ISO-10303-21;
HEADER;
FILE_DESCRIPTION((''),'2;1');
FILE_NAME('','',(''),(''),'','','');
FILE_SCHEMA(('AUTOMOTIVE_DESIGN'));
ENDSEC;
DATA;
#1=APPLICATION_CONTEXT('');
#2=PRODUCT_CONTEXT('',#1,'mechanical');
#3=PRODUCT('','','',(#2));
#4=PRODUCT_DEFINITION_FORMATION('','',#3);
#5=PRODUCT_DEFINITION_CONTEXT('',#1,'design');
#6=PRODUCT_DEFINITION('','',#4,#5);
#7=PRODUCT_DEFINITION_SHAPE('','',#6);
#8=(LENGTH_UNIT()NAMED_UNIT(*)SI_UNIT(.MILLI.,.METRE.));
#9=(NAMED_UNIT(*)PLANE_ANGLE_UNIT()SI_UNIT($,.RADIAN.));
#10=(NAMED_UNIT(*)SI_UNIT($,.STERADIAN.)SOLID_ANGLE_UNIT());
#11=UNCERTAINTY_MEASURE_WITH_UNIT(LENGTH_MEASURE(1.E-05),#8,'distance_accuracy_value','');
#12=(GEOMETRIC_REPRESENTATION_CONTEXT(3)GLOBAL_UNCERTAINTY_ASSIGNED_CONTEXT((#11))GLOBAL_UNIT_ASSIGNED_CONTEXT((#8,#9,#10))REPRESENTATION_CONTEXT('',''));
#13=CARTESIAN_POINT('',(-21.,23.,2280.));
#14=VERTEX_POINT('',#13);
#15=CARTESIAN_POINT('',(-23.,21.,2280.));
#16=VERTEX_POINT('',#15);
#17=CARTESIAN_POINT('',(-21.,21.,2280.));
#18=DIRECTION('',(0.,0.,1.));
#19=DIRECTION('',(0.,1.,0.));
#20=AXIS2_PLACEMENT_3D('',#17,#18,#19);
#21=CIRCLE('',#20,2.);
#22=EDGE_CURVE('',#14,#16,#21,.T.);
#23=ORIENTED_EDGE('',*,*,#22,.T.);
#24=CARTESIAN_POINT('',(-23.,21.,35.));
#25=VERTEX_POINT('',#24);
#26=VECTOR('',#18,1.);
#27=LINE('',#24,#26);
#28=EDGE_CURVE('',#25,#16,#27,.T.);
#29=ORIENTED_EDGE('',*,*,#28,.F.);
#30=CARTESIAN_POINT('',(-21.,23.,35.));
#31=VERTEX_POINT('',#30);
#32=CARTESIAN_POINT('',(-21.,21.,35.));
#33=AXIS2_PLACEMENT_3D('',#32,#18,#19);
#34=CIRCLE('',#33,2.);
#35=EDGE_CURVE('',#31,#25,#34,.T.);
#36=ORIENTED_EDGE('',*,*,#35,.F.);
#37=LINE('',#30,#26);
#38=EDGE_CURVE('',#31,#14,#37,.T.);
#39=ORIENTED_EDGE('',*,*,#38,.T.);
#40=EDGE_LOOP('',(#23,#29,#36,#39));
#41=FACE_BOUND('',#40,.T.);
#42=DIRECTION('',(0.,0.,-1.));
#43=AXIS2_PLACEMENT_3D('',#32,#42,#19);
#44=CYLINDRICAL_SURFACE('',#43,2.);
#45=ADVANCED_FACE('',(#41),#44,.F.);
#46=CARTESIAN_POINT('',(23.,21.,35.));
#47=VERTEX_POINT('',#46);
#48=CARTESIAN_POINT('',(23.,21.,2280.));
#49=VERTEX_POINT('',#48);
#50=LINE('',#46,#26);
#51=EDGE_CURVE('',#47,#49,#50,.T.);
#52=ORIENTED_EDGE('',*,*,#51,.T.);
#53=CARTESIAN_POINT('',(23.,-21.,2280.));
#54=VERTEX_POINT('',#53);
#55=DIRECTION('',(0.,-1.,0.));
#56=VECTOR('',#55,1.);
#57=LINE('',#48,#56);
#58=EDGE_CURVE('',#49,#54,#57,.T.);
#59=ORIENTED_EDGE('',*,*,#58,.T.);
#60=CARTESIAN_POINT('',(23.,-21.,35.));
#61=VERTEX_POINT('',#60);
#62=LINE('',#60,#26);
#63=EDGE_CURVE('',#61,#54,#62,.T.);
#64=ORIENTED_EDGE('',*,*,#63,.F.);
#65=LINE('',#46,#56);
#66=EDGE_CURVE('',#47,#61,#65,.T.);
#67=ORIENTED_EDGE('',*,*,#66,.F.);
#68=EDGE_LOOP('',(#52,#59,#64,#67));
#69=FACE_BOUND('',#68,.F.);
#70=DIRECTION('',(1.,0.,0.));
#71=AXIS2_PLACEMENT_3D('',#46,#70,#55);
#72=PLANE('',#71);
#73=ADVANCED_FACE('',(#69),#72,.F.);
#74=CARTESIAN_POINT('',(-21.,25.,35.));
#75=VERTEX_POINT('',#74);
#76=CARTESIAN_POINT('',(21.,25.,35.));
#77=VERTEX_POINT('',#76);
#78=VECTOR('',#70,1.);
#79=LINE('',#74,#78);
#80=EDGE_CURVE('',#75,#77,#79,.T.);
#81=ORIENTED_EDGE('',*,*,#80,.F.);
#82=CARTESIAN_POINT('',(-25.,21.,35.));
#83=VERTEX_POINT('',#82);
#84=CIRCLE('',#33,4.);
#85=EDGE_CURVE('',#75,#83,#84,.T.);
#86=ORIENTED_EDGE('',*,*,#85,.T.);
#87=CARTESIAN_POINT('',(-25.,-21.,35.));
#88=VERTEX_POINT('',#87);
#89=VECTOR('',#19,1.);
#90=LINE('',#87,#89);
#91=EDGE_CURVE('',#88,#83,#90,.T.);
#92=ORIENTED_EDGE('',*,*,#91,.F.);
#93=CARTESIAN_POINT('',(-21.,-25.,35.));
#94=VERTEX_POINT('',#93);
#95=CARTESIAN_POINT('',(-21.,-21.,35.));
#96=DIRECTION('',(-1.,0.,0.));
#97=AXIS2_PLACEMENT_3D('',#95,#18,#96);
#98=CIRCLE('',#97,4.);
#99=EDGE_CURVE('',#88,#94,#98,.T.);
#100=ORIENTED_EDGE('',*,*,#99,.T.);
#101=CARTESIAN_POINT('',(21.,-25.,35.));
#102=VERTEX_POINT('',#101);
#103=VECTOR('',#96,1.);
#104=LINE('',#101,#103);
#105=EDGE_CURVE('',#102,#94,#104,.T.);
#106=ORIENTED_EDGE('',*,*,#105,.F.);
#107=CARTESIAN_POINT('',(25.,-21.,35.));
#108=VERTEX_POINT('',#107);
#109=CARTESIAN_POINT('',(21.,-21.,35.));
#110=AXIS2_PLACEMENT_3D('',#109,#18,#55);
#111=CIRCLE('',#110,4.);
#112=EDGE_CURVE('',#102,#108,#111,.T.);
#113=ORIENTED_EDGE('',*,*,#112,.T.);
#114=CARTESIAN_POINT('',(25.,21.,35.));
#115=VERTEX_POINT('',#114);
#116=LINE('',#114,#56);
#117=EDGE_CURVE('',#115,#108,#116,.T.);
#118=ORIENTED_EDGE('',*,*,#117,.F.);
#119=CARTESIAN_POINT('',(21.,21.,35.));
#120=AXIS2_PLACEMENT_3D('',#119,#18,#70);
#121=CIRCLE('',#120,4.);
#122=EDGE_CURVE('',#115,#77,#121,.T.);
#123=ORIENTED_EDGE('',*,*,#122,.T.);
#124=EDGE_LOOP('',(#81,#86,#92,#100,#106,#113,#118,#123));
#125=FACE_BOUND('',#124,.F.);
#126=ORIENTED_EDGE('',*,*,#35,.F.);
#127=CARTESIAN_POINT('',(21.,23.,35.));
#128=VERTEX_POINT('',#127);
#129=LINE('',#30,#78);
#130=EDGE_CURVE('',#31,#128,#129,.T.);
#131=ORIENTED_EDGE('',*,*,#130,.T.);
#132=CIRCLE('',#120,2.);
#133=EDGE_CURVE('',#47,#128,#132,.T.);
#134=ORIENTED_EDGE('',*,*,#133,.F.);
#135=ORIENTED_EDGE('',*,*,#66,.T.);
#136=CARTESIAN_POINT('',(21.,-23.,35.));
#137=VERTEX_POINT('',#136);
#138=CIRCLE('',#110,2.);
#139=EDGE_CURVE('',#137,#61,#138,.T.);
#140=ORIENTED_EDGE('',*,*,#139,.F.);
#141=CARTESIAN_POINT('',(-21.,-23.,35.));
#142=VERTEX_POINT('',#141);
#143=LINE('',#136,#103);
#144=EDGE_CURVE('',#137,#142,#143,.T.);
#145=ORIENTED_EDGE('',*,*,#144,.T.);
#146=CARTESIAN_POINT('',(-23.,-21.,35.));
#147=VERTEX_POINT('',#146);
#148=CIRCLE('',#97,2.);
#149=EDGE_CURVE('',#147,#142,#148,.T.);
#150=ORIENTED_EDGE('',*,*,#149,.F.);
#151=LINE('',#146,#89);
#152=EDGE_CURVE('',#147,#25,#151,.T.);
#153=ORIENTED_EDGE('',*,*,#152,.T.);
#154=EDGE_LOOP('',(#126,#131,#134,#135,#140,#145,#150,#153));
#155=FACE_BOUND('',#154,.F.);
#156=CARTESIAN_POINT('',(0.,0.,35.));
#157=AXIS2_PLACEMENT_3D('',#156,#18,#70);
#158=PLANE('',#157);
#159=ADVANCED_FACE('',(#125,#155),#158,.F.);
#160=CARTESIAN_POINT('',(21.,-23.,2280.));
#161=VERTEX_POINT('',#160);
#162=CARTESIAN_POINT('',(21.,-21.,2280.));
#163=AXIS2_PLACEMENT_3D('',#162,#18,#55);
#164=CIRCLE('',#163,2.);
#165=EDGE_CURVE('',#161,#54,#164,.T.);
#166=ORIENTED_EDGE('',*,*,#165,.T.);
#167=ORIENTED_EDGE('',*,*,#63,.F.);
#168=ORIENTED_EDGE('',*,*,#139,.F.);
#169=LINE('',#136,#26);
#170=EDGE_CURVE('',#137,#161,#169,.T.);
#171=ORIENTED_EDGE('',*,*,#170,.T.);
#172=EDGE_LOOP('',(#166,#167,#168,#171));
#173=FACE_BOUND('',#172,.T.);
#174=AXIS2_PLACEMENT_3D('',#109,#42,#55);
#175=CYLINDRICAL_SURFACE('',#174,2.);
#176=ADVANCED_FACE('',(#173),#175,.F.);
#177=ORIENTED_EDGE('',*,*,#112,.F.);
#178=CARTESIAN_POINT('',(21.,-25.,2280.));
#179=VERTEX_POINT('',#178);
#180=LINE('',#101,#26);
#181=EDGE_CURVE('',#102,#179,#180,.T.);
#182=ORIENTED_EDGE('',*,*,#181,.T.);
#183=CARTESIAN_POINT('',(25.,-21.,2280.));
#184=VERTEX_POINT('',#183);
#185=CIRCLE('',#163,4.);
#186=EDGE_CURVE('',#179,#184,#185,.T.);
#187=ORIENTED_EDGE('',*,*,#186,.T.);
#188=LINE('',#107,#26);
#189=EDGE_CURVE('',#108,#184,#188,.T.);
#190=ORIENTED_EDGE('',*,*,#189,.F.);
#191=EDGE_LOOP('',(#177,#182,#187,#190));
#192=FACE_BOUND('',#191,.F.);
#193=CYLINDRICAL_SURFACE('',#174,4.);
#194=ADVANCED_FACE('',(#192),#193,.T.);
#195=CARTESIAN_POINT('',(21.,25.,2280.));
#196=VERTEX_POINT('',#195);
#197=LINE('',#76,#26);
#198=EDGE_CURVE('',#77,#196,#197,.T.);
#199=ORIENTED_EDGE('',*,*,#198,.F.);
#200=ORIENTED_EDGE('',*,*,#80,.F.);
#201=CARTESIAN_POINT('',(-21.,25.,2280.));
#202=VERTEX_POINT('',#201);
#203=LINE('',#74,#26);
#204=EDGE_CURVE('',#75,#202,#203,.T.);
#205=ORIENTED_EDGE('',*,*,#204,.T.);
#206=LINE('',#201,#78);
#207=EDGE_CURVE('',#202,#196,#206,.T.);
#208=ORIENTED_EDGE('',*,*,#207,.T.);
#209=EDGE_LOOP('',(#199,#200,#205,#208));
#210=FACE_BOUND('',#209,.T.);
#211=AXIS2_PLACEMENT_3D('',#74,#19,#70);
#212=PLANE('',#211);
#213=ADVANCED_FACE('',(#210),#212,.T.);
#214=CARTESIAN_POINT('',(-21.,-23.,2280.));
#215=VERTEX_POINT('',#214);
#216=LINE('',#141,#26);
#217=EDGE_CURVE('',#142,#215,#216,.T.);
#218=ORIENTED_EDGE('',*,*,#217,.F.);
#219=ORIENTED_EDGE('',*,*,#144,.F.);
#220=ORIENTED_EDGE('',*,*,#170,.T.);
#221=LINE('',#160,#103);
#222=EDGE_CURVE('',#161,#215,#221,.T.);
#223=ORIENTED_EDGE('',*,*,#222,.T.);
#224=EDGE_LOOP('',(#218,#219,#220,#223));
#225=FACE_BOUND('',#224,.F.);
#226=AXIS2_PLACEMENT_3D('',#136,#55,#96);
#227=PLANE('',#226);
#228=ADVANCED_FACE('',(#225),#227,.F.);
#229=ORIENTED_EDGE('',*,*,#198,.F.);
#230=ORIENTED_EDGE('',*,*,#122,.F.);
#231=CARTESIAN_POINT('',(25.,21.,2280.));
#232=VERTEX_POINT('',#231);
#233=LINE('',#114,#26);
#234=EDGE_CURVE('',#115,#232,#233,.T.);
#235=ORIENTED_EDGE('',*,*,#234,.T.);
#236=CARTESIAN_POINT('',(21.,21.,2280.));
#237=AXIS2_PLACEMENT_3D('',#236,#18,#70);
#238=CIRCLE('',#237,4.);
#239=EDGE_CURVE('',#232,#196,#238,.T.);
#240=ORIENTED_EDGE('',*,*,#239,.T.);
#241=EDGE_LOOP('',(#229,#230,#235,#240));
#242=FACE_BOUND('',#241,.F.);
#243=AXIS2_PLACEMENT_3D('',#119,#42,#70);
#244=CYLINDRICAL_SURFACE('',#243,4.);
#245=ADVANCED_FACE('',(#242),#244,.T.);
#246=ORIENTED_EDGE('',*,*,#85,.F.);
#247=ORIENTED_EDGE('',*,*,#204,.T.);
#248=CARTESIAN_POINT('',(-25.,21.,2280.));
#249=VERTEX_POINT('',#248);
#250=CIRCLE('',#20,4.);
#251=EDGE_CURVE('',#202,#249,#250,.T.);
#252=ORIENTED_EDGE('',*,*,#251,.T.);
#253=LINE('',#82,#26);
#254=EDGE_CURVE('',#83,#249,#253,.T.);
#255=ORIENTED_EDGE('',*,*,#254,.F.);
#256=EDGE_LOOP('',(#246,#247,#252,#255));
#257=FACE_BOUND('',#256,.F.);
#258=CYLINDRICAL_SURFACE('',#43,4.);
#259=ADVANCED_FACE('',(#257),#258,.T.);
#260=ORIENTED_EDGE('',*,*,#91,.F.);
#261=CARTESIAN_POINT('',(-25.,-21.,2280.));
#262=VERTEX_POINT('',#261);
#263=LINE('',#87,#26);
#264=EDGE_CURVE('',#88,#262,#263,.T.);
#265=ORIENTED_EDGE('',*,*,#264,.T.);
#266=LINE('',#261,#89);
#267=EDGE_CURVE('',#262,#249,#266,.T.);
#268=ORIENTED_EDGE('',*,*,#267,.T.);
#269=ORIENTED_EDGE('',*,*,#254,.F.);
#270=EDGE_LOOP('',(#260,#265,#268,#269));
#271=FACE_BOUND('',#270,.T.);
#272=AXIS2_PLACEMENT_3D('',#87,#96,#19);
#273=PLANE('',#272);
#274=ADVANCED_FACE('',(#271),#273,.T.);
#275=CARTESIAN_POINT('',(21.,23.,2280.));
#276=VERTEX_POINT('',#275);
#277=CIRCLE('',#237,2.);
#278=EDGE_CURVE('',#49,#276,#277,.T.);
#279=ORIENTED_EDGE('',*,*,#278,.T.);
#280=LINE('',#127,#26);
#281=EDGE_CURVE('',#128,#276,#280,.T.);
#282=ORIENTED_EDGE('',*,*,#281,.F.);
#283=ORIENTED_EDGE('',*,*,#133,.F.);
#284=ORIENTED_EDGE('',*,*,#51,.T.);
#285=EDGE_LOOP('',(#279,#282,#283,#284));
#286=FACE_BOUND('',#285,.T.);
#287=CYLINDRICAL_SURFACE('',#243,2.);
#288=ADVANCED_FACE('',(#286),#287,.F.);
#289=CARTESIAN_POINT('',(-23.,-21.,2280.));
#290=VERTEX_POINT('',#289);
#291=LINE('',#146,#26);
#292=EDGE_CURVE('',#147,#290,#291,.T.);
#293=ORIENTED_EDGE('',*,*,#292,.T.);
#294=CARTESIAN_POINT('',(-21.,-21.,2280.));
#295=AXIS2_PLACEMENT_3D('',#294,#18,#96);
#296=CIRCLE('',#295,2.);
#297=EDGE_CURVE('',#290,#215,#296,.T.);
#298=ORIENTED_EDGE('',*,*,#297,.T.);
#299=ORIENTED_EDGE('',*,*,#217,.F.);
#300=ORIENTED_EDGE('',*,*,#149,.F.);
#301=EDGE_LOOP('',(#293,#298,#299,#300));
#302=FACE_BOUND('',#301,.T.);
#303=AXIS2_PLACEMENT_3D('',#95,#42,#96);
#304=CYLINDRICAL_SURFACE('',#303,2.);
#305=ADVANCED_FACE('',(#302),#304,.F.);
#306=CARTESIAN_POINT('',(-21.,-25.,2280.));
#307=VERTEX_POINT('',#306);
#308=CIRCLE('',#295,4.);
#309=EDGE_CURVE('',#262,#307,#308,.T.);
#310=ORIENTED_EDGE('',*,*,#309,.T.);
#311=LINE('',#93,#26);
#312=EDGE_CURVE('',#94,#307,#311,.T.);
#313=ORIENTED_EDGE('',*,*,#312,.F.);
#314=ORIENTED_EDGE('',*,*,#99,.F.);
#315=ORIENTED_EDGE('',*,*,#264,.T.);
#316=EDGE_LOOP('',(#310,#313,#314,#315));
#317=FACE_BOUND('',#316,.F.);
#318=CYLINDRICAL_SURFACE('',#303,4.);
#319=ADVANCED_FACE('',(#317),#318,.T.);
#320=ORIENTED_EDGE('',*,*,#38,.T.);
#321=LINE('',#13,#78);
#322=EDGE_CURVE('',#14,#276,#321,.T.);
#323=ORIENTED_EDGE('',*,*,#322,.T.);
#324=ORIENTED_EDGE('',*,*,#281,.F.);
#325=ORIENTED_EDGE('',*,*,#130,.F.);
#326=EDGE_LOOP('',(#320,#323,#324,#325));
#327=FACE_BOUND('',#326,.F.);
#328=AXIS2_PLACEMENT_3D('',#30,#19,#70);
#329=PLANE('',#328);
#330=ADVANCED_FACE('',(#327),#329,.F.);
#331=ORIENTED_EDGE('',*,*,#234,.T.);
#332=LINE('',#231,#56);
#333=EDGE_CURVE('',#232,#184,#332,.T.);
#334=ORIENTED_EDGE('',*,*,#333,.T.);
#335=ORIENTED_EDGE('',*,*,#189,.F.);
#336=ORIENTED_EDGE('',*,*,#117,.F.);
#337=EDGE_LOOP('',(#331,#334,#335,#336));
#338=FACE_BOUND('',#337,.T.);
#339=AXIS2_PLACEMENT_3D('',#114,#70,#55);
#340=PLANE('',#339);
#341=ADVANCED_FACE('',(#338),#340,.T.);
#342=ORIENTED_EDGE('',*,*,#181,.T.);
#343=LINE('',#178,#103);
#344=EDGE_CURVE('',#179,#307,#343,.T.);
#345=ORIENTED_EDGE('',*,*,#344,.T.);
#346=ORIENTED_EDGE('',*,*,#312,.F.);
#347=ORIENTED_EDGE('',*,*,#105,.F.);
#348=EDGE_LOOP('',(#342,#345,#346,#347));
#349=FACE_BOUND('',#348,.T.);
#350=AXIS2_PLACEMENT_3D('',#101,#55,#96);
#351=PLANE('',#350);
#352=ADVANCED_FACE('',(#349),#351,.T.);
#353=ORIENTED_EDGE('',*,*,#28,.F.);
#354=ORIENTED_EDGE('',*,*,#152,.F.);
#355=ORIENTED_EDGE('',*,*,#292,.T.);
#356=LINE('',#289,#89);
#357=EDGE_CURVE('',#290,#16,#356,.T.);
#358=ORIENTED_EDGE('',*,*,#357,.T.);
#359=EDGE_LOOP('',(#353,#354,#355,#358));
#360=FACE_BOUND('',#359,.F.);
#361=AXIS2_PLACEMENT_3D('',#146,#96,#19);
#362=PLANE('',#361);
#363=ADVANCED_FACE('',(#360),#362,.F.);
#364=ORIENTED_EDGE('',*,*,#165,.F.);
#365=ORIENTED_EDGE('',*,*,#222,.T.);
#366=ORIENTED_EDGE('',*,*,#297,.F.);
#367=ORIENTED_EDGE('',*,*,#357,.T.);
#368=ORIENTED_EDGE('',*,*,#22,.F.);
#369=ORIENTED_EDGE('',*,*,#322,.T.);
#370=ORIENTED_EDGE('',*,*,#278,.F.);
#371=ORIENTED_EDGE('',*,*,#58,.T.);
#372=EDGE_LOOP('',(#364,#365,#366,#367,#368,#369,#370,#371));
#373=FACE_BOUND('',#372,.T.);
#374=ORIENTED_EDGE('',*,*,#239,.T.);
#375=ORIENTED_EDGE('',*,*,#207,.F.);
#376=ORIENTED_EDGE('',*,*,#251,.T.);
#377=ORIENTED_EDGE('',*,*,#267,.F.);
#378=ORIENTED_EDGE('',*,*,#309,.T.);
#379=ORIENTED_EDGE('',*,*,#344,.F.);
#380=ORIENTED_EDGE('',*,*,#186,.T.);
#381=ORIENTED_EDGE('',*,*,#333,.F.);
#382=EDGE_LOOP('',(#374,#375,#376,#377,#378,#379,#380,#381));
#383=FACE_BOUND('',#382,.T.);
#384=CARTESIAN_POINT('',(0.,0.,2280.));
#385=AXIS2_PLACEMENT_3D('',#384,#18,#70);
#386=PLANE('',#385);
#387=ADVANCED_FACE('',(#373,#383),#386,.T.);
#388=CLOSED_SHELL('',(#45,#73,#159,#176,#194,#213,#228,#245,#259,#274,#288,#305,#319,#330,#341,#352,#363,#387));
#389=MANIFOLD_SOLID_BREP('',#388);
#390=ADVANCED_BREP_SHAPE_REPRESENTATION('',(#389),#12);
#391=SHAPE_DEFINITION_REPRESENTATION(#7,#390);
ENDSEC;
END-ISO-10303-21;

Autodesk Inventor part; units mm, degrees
ref_plane "Plano inicial" through (0, 0, 35) normal (0, 0, 1) x (1, 0, 0)
ref_plane "Plano final" through (0, 0, 2280) normal (0, 0, 1) x (1, 0, 0)
sketch "Boceto" plane through (0, 0, 0) normal (0, 0, 1) x (1, 0, 0)
  line L0 (-25, -21) -> (-25, 21)
  line L1 (-21, 25) -> (21, 25)
  line L2 (25, 21) -> (25, -21)
  line L3 (21, -25) -> (-21, -25)
  arc A0 (-25, -21) -> (-21, -25) centre (-21, -21) ccw
  arc A1 (25, 21) -> (21, 25) centre (21, 21) ccw
  arc A2 (-21, 25) -> (-25, 21) centre (-21, 21) ccw
  arc A3 (21, -25) -> (25, -21) centre (21, -21) ccw
  arc A4 (-21, 23) -> (-23, 21) centre (-21, 21) ccw
  line L4 (-21, 23) -> (21, 23)
  arc A5 (23, 21) -> (21, 23) centre (21, 21) ccw
  line L5 (23, 21) -> (23, -21)
  arc A6 (21, -23) -> (23, -21) centre (21, -21) ccw
  line L6 (21, -23) -> (-21, -23)
  arc A7 (-23, -21) -> (-21, -23) centre (-21, -21) ccw
  line L7 (-23, -21) -> (-23, 21)
  line L8 (0, 36.1598) -> (0, -36.1598) construction
  line L9 (-36.1598, 0) -> (36.1598, 0) construction
  dimension "d7" = 4
  dimension "d9" = 50
  dimension "d11" = 50
  dimension "d12" = 2
  dimension "d15" = 25
  dimension "d16" = 25
extrude "Cuerpo" add sketch "Boceto" along normal up to surface (2245 mm away) from surface at 35
sketch "Sketch3" plane through (0, 0, 0) normal (0, 0, 1) x (1, 0, 0)
  line L0 (0, 0) -> (10, 0)
ref_plane "Work Plane3" through (0, 0, 0) normal (0, -1, 0) x (1, 0, 0)
sketch "Sketch4" plane through (0, 0, 0) normal (0, -1, 0) x (1, 0, 0)
  line L0 (-2, 35) -> (12, 35)
  line L1 (-2, 2280) -> (12, 2280)
  dimension "d18" = 2245
ref_plane "Plano de trabajo4" through (0, 29, 35) normal (0, 0, -1) x (-1, 0, 0)
split "Dividir1" plane through (0, 29, 35) removes the side toward (0, 0, -1)
ref_plane "Plano de trabajo5" through (-500, 29, 2280) normal (0, 0, 1) x (1, 0, 0)
split "Dividir2" plane through (-500, 29, 2280) removes the side toward (0, 0, 1)
equation "\"d7\" = G_IR"
equation "\"d9\" = G_W"
equation "\"d11\" = G_H"
equation "\"d12\" = G_T"
equation "\"d15\" = 0.5 * d9"
equation "\"d16\" = 0.5 * d11"
equation "\"d3\" = G_L"
equation "\"G_W\" = 50"
equation "\"G_H\" = 50"
equation "\"G_T\" = 2"
equation "\"G_IR\" = 4"
equation "\"G_L\" = d18"
equation "\"G_OFFSET_START\" = -35"
equation "\"G_OFFSET_END\" = -35"
equation "\"d13\" = -G_OFFSET_START"
equation "\"B_L\" = 2315"
properties part number "ISO 10799-2 - 50x50x2 - 2245" material "Galvanizado catalogo 1"
